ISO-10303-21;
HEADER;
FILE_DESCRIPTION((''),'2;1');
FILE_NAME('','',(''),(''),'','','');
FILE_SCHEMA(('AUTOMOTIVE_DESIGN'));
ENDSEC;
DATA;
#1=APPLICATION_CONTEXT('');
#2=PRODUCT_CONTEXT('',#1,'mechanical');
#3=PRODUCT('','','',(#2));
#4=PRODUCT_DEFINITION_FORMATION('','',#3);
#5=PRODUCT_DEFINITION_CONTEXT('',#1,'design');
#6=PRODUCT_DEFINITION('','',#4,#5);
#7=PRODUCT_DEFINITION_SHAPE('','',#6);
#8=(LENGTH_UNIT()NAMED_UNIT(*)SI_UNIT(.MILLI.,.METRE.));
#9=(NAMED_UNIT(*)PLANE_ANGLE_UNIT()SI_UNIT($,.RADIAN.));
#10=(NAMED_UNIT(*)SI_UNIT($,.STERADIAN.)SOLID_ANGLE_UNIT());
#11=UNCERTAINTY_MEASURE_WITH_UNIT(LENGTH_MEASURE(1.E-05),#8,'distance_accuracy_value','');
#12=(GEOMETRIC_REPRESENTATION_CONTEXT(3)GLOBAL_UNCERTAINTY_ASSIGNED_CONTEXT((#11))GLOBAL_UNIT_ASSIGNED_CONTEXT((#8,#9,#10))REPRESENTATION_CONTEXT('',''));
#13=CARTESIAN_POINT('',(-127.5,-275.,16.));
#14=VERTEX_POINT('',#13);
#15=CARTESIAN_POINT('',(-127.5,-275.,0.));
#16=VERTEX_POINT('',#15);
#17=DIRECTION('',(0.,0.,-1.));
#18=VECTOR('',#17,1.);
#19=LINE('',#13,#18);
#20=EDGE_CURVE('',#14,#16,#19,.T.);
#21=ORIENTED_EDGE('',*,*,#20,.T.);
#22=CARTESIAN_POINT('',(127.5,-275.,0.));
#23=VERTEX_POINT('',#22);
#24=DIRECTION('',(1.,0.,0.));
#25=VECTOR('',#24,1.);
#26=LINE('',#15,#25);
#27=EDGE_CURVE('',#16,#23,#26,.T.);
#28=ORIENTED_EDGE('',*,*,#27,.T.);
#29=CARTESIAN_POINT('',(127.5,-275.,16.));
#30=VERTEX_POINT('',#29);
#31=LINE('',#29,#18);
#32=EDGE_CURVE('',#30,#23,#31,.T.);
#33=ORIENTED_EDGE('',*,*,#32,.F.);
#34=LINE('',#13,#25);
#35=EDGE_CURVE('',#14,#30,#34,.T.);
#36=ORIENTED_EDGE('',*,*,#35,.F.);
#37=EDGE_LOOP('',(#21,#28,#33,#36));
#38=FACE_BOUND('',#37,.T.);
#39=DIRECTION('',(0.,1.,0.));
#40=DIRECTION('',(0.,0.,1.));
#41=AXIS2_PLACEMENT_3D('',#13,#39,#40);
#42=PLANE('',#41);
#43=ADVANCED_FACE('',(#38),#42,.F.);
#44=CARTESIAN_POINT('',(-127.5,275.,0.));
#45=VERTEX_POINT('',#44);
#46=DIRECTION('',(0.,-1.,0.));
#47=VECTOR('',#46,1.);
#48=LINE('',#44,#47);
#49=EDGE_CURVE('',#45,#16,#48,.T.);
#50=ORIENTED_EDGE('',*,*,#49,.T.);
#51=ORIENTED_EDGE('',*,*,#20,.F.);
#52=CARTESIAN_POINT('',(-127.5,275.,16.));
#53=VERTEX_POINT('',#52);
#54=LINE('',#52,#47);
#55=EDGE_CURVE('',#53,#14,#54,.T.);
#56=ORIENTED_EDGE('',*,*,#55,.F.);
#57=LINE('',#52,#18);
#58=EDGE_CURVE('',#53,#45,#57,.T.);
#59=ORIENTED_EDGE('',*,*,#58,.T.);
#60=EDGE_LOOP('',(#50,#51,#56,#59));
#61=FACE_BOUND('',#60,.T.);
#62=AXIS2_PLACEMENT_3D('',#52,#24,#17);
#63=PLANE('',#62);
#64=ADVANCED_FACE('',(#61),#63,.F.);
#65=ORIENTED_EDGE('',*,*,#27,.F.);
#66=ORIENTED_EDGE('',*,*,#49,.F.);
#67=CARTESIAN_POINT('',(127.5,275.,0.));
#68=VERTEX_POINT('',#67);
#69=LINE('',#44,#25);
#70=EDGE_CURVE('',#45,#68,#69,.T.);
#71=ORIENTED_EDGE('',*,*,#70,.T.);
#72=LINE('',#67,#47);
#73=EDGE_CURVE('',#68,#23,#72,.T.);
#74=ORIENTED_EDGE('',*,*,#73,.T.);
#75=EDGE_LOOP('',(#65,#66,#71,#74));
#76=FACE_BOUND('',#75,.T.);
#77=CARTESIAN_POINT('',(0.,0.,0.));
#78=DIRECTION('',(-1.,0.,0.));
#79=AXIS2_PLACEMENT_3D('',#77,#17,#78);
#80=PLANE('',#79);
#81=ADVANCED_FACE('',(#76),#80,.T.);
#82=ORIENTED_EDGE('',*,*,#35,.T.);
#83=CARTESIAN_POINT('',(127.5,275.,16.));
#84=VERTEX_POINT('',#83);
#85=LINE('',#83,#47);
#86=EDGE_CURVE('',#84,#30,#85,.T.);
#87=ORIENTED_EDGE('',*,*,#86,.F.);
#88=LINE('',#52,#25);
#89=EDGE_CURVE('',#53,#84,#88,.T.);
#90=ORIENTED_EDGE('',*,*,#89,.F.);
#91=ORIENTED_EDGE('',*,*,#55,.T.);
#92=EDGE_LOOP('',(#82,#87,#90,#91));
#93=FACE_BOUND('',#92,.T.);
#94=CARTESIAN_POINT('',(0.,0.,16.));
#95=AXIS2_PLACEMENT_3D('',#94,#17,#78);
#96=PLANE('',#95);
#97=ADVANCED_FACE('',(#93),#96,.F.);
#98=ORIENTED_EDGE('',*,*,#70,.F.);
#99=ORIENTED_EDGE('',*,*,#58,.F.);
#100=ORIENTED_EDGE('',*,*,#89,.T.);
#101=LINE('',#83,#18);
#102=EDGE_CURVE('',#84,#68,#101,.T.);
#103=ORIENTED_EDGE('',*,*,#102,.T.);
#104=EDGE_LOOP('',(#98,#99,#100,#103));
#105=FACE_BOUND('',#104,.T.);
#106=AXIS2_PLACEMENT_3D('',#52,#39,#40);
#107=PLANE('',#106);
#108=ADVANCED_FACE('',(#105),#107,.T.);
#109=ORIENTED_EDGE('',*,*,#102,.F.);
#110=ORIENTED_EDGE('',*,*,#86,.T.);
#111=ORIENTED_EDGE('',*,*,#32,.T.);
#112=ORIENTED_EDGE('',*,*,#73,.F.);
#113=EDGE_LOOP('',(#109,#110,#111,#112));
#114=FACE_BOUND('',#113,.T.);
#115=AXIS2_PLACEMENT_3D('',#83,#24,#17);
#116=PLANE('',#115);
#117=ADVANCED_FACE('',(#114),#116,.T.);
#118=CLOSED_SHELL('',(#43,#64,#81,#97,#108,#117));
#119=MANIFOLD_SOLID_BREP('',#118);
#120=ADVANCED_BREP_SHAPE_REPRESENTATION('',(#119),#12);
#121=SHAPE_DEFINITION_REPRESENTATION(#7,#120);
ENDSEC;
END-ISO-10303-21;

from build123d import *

# Parameters (mm, degrees)
SKETCH1_W           = 255
SKETCH1_H           = 550
BOSS_EXTRUDE1_DEPTH = 16


with BuildPart() as part:
    # Sketch1 → Boss-Extrude1 (new body)
    with BuildSketch(Plane.XY):
        Rectangle(SKETCH1_W, SKETCH1_H)
    extrude(amount=BOSS_EXTRUDE1_DEPTH)


solid = part.part
